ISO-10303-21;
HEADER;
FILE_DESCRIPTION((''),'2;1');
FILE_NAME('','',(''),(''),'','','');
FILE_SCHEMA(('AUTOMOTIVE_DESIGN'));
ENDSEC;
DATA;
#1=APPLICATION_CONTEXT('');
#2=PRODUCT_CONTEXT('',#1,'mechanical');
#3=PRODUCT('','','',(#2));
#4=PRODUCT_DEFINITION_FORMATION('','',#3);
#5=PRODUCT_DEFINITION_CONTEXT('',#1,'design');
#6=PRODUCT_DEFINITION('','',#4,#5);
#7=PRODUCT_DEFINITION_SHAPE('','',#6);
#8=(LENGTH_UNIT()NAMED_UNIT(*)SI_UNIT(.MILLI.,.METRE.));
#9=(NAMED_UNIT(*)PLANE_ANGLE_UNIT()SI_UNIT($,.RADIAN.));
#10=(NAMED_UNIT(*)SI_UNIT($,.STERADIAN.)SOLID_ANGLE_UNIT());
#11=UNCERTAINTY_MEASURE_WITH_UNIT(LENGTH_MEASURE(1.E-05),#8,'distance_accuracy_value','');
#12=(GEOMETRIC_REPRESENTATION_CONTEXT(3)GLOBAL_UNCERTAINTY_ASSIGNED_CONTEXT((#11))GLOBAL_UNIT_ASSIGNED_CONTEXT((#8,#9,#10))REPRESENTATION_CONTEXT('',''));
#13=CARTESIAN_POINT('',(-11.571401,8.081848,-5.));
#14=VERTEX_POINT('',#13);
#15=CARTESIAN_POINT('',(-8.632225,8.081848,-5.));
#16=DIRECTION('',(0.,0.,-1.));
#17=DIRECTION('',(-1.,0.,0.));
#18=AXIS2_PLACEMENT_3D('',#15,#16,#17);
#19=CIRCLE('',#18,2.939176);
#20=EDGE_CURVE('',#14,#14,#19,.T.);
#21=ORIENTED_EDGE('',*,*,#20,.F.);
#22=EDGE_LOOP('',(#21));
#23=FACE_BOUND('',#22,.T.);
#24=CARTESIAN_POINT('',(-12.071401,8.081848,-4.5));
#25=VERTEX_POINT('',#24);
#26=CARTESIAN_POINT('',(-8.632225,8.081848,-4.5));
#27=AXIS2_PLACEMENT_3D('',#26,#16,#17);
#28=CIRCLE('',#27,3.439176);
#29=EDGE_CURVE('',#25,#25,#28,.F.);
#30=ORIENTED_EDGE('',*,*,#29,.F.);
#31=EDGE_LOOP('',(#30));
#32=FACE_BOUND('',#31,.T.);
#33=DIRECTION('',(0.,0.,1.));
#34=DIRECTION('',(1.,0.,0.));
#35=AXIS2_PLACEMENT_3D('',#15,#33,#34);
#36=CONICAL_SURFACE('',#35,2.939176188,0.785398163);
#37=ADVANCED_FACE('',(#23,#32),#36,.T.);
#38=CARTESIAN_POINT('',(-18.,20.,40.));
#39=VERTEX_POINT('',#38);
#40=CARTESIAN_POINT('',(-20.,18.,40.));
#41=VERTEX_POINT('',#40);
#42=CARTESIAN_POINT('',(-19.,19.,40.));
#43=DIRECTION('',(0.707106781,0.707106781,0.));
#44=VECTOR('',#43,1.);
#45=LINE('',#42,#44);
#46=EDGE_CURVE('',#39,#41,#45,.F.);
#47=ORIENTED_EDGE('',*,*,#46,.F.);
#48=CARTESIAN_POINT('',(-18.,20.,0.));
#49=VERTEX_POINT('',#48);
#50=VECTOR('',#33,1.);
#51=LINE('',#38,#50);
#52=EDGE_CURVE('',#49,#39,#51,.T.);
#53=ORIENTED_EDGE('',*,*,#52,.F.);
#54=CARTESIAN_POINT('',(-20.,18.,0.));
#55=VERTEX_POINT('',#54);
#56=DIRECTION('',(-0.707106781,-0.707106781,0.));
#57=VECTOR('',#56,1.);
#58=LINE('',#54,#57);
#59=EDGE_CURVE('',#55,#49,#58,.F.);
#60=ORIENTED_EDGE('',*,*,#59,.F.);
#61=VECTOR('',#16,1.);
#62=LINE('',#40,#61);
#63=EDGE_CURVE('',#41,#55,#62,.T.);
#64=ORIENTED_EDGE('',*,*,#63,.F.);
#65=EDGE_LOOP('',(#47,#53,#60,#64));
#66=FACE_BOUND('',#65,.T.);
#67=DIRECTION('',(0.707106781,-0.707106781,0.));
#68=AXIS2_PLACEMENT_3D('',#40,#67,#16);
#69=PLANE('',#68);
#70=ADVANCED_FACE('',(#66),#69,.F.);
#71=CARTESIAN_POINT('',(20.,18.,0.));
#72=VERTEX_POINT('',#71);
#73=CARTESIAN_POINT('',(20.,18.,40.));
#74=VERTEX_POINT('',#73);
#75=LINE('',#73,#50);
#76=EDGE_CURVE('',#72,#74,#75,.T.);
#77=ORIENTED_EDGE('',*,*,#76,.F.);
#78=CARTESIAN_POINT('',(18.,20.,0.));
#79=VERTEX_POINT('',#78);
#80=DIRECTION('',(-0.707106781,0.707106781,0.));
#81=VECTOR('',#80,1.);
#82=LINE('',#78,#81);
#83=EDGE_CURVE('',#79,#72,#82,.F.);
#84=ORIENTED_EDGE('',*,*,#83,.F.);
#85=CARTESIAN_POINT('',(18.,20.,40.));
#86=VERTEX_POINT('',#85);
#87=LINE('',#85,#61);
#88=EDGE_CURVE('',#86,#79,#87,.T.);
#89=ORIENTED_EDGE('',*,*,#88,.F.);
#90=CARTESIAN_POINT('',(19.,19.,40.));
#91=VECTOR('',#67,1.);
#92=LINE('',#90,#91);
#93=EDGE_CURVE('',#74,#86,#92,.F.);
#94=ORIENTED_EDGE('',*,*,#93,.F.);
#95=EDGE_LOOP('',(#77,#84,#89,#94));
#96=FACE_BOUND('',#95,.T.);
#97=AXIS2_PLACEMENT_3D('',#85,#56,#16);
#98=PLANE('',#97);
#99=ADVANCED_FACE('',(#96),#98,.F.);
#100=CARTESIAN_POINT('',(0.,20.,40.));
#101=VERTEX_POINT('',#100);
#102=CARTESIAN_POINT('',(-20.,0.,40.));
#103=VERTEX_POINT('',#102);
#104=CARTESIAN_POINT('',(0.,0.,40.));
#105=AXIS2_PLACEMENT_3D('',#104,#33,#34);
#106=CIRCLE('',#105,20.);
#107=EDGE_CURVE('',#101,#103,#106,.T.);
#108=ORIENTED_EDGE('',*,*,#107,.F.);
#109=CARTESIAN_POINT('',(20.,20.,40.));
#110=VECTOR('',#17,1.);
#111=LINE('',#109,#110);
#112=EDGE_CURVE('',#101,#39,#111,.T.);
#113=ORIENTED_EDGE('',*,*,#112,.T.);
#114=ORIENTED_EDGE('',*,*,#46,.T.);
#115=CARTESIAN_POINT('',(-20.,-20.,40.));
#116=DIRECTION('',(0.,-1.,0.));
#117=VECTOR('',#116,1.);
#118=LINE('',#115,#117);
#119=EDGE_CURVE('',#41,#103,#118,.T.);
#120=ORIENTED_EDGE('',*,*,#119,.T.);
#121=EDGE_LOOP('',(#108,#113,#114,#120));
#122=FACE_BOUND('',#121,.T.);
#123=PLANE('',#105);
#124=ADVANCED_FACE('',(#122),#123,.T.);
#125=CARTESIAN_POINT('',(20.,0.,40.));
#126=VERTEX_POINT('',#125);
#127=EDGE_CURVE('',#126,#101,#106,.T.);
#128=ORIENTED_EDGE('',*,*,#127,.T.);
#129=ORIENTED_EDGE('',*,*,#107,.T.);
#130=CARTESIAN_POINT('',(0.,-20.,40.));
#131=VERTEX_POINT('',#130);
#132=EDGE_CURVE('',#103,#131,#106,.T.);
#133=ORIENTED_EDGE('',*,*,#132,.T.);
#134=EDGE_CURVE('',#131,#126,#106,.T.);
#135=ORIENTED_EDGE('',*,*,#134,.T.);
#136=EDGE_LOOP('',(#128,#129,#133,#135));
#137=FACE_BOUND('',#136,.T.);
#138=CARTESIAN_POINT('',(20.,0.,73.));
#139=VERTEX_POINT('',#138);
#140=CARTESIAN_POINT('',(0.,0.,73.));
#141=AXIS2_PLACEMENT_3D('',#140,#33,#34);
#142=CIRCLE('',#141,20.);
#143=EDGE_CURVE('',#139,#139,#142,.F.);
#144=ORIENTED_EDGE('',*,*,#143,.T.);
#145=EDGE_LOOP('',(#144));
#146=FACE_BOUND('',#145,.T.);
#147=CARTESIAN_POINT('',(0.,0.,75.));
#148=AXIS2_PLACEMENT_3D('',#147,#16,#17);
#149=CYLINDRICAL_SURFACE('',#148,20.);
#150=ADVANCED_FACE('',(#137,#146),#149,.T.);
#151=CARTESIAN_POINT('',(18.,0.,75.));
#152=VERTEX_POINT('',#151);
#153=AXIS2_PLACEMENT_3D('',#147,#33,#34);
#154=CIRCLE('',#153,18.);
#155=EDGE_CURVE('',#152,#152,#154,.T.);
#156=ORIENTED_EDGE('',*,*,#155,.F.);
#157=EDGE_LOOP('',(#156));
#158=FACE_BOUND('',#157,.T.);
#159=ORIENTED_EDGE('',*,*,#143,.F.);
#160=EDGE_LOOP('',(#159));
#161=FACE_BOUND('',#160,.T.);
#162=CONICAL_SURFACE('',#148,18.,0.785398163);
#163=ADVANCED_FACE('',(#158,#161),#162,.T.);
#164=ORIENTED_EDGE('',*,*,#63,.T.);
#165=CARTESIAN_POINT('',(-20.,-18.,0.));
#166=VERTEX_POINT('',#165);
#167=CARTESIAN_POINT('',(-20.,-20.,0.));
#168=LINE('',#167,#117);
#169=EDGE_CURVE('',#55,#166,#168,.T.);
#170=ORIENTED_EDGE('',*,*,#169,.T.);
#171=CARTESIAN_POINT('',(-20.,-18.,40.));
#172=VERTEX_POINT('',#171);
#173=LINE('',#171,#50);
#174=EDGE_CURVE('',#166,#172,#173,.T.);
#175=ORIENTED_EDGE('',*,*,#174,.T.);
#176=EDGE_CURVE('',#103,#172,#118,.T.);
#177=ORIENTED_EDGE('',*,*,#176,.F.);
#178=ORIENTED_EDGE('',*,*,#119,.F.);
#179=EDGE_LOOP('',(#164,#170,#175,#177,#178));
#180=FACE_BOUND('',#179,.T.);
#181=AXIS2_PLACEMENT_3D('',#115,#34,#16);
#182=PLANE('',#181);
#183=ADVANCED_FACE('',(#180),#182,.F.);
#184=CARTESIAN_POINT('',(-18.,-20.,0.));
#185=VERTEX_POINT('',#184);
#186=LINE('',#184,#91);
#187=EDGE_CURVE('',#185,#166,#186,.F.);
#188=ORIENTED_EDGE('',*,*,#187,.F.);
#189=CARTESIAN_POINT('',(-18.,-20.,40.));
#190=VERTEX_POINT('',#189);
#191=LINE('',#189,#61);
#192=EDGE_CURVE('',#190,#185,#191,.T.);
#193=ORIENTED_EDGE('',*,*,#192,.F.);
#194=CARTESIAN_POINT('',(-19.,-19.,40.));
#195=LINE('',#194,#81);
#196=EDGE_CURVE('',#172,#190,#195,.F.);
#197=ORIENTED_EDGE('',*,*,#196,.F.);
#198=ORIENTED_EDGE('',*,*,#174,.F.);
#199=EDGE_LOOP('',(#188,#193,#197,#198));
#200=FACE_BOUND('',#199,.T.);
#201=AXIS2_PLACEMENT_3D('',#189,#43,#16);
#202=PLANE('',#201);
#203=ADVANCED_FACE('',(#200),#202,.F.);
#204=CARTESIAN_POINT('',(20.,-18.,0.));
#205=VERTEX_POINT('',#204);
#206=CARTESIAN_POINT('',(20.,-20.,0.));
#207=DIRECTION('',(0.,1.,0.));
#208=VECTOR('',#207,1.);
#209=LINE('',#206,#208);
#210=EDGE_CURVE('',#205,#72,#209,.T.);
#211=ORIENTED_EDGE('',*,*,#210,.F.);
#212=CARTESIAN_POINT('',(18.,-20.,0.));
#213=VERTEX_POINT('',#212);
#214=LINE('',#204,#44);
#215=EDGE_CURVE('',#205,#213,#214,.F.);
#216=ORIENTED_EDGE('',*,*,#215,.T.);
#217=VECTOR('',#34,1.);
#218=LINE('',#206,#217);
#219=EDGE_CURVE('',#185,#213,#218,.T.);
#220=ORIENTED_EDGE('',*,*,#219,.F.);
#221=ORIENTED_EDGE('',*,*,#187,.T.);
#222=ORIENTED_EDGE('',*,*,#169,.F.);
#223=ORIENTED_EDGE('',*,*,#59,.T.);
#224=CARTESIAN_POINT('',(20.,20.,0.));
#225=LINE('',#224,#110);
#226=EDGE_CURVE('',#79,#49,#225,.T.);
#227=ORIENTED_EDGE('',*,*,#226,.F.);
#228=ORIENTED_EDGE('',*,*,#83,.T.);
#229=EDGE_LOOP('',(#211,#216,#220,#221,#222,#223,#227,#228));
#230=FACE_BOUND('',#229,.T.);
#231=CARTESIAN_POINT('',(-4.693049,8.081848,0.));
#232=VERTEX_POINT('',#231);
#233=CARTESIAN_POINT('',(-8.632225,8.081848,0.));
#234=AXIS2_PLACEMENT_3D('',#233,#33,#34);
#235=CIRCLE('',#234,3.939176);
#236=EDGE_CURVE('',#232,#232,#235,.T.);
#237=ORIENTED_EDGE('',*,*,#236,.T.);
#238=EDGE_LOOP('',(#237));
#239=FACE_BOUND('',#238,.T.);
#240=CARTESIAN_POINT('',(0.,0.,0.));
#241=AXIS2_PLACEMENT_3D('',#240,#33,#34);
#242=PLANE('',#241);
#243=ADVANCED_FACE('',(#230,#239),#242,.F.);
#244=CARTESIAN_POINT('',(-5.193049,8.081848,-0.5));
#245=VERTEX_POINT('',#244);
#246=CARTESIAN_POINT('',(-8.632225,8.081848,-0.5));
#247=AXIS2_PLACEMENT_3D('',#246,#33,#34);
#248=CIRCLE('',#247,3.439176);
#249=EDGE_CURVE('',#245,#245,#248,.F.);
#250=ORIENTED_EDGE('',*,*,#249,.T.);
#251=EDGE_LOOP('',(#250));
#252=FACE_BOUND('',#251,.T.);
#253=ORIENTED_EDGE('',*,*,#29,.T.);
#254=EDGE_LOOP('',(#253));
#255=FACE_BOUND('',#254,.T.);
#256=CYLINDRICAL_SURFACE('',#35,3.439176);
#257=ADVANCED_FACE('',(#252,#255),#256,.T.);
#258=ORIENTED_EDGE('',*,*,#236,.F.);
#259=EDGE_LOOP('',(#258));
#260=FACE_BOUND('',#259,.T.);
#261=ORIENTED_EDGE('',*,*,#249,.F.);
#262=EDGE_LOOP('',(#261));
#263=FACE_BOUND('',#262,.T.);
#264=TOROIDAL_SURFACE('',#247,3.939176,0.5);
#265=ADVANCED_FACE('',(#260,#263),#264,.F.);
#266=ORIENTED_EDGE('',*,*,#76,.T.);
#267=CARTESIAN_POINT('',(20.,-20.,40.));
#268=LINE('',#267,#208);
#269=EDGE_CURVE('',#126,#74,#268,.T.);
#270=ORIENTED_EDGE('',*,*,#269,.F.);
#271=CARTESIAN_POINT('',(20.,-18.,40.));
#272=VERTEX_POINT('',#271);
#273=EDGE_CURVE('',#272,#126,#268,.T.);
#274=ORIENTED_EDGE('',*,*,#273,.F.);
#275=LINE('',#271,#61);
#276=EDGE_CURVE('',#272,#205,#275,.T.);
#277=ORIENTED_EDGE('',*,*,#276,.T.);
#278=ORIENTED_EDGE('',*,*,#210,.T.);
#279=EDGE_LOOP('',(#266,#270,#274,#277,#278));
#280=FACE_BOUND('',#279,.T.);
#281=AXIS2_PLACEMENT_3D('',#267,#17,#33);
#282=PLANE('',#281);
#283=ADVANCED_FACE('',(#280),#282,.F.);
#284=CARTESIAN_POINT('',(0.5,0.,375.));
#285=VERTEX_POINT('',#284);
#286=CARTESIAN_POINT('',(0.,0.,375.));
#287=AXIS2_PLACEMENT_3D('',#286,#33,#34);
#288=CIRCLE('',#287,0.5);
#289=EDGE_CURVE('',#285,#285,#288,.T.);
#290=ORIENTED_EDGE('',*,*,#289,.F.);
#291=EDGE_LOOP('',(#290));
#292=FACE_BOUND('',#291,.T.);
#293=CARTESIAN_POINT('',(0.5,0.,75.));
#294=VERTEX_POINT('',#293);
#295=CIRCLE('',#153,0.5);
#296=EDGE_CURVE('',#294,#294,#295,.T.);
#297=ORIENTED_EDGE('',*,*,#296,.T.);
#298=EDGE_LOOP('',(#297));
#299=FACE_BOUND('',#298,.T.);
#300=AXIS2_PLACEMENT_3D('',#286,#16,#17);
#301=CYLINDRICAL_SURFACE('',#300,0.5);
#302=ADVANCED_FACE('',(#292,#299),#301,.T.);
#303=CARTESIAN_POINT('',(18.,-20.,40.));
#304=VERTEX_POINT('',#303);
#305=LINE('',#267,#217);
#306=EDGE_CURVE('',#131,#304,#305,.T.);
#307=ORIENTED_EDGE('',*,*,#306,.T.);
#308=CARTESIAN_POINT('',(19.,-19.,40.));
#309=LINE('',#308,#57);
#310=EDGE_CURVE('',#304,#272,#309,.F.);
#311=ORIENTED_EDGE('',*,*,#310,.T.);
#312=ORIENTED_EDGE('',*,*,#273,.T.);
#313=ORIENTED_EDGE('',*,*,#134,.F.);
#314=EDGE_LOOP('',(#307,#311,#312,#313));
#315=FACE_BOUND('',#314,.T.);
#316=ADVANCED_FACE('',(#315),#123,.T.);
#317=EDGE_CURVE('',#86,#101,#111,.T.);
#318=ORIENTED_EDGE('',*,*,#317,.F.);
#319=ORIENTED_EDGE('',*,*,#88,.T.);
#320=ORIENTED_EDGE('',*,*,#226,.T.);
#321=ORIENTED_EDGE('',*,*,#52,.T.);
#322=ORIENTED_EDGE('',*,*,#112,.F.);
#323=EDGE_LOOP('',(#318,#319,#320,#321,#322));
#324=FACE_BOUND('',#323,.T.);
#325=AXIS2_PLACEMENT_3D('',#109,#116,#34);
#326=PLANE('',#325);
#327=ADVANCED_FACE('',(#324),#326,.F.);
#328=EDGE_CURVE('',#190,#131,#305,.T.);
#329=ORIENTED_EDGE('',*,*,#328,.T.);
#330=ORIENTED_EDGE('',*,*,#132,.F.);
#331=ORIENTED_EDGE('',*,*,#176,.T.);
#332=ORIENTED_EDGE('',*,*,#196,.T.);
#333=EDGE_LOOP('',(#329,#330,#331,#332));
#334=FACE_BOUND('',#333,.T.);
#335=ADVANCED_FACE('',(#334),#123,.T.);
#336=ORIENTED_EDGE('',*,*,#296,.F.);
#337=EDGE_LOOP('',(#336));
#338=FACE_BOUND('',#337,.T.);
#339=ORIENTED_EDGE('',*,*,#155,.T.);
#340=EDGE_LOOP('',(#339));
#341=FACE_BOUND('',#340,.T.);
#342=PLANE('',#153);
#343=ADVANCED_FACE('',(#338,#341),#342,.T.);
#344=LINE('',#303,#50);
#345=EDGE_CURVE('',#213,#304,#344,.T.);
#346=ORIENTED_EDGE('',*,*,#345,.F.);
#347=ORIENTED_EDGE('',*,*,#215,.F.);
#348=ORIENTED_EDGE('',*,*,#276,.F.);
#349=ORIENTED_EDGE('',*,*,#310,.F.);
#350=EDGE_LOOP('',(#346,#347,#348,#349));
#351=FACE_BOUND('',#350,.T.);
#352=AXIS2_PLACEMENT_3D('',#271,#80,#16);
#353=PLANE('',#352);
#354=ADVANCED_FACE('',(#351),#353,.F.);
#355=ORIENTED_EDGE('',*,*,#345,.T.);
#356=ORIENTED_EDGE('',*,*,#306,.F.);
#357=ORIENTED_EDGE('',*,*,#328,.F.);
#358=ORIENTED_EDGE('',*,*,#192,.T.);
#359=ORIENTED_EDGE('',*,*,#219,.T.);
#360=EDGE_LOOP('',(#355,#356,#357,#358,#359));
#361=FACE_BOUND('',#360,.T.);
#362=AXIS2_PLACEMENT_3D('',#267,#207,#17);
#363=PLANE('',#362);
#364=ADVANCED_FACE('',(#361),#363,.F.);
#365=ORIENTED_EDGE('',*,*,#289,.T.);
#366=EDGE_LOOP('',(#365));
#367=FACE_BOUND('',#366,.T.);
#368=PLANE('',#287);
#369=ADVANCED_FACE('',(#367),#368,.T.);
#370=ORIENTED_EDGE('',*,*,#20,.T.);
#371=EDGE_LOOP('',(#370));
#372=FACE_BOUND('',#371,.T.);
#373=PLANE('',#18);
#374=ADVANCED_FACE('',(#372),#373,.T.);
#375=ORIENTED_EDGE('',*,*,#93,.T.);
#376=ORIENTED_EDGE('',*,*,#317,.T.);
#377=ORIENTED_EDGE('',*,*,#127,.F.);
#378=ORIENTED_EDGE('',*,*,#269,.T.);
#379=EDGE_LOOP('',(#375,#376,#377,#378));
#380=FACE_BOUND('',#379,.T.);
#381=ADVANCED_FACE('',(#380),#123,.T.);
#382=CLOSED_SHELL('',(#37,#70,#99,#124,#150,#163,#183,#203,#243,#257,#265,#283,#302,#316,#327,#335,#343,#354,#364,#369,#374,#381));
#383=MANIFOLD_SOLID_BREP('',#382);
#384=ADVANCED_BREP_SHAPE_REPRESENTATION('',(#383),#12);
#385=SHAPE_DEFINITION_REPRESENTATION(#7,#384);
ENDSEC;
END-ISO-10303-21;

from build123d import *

# Parameters (mm, degrees)
SKETCH_1_W      = 40
SKETCH_1_H      = 40
EXTRUDE_1_DEPTH = 40
SKETCH_2_R      = 20
EXTRUDE_2_DEPTH = 35
SKETCH_8_R      = 3.439176188
EXTRUDE_3_DEPTH = 5
FILLET_3_R      = 0.5
CHAMFER_1_SIZE  = 0.5
CHAMFER_2_SIZE  = 2
CHAMFER_3_SIZE  = 2
SKETCH_9_R      = 0.5
EXTRUDE_4_DEPTH = 300


with BuildPart() as part:
    # 草图1 → 凸台-拉伸1 (new body)
    with BuildSketch(Plane.XY):
        Rectangle(SKETCH_1_W, SKETCH_1_H)
    extrude(amount=EXTRUDE_1_DEPTH)

    # 草图2 → 凸台-拉伸2 (add)
    with BuildSketch(Plane.XY.offset(40)):
        Circle(SKETCH_2_R)
    extrude(amount=EXTRUDE_2_DEPTH)

    # 草图8 → 凸台-拉伸3 (add)
    with BuildSketch(Plane(origin=(0, 0, 0), x_dir=(-1, 0, 0), z_dir=(0, 0, -1))):
        with Locations((8.63222484, 8.081848089)):
            Circle(SKETCH_8_R)
    extrude(amount=EXTRUDE_3_DEPTH)

    # 圆角3
    fillet_3_edges = [part.edges().sort_by_distance(p)[0] for p in [
        (-5.193048652, 8.081848089, 0),
    ]]
    fillet(fillet_3_edges, radius=FILLET_3_R)

    # 倒角1
    chamfer_1_edges = [part.edges().sort_by_distance(p)[0] for p in [
        (-5.193048652, 8.081848089, -5),
    ]]
    chamfer(chamfer_1_edges, length=CHAMFER_1_SIZE)

    # 倒角2
    chamfer_2_edges = [part.edges().sort_by_distance(p)[0] for p in [
        (-20, 20, 20),
        (20, 20, 20),
        (20, -20, 20),
        (-20, -20, 20),
    ]]
    chamfer(chamfer_2_edges, length=CHAMFER_2_SIZE)

    # 倒角3
    chamfer_3_edges = [part.edges().sort_by_distance(p)[0] for p in [
        (-20, 0, 75),
    ]]
    chamfer(chamfer_3_edges, length=CHAMFER_3_SIZE)

    # 草图9 → 凸台-拉伸4 (add)
    with BuildSketch(Plane.XY.offset(75)):
        Circle(SKETCH_9_R)
    extrude(amount=EXTRUDE_4_DEPTH)


solid = part.part
